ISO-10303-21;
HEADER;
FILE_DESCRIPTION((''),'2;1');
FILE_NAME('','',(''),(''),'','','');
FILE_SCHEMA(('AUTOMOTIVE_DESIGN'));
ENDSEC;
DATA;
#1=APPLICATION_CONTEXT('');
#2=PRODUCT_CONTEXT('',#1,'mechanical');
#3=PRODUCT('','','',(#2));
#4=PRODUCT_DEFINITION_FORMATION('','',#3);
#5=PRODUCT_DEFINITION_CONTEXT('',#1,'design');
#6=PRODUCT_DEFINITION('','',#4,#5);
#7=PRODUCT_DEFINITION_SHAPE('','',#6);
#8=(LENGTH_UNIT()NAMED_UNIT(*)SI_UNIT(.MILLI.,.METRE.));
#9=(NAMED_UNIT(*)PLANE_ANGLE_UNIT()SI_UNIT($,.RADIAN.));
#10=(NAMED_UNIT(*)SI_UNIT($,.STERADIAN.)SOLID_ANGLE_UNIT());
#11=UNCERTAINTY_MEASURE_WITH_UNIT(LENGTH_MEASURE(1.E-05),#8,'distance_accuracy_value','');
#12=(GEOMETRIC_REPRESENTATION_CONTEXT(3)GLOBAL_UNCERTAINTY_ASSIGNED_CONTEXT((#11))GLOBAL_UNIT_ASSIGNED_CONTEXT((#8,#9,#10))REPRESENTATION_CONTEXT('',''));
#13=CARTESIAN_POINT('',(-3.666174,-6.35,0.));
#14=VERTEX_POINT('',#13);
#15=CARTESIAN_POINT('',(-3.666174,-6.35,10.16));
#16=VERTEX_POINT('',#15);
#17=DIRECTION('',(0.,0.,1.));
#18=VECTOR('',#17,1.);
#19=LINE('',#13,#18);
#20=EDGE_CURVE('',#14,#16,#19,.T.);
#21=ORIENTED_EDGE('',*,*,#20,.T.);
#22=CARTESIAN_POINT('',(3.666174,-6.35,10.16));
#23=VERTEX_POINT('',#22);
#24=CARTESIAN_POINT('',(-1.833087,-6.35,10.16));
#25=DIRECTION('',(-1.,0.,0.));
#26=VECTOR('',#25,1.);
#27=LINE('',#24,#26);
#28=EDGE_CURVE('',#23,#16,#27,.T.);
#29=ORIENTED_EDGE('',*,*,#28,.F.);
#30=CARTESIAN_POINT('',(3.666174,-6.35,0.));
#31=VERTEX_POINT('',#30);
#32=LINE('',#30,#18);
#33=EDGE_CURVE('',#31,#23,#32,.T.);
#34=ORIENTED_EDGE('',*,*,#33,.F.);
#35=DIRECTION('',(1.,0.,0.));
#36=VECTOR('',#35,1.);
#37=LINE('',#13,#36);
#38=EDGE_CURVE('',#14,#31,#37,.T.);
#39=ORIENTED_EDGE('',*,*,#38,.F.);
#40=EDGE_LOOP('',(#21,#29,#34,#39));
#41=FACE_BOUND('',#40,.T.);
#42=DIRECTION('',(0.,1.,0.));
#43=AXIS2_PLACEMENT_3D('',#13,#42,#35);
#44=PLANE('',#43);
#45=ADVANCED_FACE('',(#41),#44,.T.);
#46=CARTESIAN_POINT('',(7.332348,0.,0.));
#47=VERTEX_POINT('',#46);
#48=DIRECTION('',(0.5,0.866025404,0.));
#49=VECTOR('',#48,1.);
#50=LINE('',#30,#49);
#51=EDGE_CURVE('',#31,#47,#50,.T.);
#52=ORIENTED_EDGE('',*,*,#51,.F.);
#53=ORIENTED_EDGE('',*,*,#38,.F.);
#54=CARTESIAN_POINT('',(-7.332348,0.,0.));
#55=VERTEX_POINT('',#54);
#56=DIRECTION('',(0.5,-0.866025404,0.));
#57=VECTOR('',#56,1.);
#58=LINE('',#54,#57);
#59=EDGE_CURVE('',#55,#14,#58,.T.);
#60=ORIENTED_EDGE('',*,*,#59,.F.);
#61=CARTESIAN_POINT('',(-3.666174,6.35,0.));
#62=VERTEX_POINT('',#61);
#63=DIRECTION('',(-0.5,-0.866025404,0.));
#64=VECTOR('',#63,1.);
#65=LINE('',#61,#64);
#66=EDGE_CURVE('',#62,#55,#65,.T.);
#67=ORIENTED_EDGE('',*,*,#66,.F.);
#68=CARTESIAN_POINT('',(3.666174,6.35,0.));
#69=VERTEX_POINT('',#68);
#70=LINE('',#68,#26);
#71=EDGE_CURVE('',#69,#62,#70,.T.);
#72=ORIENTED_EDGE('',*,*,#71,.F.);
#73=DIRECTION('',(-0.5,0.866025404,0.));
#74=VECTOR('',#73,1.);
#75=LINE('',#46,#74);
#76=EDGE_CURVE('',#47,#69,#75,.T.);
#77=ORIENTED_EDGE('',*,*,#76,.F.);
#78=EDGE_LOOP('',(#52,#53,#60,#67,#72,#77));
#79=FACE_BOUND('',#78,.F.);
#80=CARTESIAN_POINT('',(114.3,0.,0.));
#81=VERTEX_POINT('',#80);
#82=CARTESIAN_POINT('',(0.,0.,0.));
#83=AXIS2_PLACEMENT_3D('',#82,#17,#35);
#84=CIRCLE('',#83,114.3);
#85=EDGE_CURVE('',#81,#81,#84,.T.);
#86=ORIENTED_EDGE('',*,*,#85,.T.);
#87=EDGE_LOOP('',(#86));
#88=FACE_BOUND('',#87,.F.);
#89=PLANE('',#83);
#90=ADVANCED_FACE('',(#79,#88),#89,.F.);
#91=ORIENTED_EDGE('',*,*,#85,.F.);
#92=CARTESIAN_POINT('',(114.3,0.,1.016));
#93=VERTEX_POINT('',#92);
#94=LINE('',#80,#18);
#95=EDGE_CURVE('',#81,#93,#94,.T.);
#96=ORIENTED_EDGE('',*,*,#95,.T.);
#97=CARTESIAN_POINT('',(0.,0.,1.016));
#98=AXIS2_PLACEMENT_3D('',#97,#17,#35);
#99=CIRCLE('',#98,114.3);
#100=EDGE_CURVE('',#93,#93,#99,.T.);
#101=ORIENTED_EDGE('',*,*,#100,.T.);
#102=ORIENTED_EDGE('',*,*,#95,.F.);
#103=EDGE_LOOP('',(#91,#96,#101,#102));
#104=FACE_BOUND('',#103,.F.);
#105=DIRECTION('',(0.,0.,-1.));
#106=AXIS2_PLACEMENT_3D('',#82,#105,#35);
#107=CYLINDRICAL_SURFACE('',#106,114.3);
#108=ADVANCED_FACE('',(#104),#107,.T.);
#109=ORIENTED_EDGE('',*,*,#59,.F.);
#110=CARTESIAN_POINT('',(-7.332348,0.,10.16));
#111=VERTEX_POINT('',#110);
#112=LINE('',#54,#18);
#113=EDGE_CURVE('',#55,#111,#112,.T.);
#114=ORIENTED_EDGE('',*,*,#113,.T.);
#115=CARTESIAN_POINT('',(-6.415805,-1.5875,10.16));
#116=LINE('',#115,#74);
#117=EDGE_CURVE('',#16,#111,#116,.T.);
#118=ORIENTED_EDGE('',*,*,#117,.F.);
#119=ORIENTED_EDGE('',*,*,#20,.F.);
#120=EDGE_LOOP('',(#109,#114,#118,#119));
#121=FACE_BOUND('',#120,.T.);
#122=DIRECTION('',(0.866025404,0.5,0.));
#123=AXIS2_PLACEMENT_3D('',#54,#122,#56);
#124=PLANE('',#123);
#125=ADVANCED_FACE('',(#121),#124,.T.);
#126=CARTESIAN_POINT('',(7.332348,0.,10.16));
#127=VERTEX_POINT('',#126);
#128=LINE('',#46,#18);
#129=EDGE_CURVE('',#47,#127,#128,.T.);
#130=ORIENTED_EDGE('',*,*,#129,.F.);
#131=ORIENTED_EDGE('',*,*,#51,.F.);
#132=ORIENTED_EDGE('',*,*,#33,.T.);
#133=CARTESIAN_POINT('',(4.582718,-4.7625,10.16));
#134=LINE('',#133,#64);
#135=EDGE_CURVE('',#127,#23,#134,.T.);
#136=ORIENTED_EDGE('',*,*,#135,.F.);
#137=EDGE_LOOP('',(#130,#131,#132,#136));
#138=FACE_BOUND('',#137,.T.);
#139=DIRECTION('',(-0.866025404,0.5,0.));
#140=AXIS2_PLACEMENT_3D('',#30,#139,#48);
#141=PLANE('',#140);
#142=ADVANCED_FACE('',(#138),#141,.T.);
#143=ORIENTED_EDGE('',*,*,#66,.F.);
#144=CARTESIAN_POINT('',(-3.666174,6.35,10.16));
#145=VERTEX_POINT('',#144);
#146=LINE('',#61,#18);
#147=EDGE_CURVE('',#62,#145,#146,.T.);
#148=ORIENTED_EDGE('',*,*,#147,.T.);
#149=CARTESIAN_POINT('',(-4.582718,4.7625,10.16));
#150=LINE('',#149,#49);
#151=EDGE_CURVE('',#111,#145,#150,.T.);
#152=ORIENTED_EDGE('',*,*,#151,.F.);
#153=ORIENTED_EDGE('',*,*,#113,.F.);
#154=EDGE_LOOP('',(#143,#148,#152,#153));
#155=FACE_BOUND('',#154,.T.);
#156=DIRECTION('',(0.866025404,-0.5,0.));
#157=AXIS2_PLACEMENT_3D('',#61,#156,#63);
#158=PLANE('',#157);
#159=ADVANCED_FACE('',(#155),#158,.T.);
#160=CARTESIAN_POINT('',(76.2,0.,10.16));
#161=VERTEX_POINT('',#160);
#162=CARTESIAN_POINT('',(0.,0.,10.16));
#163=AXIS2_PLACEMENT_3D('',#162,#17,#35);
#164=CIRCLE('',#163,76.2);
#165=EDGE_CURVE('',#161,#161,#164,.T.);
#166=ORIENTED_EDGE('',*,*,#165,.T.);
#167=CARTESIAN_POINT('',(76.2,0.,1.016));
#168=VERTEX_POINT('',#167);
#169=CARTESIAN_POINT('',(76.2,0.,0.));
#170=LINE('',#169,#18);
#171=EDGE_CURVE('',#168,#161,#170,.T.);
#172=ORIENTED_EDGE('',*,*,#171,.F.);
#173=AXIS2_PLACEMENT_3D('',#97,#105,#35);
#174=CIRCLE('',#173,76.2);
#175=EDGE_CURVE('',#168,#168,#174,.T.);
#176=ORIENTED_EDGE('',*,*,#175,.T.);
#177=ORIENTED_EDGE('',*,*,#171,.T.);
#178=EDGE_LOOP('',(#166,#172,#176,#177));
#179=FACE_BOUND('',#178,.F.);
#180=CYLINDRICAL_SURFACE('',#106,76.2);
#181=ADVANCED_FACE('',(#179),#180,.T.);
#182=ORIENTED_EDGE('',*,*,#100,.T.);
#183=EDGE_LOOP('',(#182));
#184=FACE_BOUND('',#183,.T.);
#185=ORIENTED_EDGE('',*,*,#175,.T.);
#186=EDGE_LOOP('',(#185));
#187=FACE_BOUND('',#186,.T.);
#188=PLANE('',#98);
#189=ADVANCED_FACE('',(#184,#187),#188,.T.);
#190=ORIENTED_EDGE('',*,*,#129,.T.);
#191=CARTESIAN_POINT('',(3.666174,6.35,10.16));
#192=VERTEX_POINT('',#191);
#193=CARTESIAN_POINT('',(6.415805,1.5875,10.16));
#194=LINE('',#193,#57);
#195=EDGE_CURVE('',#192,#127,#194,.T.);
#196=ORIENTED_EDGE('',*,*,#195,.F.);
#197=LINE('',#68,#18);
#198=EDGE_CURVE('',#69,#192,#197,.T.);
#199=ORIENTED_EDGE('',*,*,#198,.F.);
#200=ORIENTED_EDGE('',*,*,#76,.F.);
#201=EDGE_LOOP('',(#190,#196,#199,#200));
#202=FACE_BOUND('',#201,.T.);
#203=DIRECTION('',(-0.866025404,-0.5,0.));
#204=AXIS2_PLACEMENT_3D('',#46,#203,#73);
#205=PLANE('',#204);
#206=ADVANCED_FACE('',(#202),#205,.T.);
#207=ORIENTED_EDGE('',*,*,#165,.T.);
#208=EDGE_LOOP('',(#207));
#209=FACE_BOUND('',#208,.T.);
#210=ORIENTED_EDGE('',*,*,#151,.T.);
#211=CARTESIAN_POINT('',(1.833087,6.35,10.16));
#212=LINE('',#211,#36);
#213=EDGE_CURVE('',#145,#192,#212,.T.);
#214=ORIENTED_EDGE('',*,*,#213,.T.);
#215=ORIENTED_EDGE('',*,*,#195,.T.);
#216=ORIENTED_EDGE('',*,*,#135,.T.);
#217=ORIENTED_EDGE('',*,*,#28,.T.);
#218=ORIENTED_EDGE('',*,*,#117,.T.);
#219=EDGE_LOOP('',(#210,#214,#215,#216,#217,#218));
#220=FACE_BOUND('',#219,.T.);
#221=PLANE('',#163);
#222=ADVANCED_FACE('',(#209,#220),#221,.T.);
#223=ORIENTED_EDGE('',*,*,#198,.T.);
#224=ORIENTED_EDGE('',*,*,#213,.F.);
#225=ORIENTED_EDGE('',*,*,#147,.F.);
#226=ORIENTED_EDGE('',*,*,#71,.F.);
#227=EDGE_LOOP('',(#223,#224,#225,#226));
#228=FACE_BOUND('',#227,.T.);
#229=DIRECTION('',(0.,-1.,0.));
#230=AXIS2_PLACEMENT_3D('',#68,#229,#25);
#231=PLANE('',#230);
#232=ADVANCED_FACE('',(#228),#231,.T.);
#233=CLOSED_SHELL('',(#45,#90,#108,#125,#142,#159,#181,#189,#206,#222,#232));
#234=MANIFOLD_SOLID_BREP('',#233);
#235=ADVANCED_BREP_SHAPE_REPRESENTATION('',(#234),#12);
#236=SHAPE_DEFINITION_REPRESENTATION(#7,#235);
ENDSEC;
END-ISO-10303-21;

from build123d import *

# Parameters (mm, degrees)
F0_R     = 114.3
F2_DEPTH = 1.016
F1_R     = 76.2
F3_DEPTH = 10.16
F5_DEPTH = 25.4


with BuildPart() as f2:
    # F0 (on Top) → F2 (new body)
    with BuildSketch(Plane.XY):
        Circle(F0_R)
    extrude(amount=F2_DEPTH)

    # F1 (on Top) → F3 (join)
    with BuildSketch(Plane.XY):
        Circle(F1_R)
    extrude(amount=F3_DEPTH)

    # F4 (on Top) → F5 (cut)
    with BuildSketch(Plane.XY):
        Polygon((7.3323484187, 0), (3.6661742094, 6.35), (-3.6661742094, 6.35), (-7.3323484187, 0), (-3.6661742094, -6.35), (3.6661742094, -6.35), align=None)
    extrude(amount=F5_DEPTH, mode=Mode.SUBTRACT)


solid = f2.part
